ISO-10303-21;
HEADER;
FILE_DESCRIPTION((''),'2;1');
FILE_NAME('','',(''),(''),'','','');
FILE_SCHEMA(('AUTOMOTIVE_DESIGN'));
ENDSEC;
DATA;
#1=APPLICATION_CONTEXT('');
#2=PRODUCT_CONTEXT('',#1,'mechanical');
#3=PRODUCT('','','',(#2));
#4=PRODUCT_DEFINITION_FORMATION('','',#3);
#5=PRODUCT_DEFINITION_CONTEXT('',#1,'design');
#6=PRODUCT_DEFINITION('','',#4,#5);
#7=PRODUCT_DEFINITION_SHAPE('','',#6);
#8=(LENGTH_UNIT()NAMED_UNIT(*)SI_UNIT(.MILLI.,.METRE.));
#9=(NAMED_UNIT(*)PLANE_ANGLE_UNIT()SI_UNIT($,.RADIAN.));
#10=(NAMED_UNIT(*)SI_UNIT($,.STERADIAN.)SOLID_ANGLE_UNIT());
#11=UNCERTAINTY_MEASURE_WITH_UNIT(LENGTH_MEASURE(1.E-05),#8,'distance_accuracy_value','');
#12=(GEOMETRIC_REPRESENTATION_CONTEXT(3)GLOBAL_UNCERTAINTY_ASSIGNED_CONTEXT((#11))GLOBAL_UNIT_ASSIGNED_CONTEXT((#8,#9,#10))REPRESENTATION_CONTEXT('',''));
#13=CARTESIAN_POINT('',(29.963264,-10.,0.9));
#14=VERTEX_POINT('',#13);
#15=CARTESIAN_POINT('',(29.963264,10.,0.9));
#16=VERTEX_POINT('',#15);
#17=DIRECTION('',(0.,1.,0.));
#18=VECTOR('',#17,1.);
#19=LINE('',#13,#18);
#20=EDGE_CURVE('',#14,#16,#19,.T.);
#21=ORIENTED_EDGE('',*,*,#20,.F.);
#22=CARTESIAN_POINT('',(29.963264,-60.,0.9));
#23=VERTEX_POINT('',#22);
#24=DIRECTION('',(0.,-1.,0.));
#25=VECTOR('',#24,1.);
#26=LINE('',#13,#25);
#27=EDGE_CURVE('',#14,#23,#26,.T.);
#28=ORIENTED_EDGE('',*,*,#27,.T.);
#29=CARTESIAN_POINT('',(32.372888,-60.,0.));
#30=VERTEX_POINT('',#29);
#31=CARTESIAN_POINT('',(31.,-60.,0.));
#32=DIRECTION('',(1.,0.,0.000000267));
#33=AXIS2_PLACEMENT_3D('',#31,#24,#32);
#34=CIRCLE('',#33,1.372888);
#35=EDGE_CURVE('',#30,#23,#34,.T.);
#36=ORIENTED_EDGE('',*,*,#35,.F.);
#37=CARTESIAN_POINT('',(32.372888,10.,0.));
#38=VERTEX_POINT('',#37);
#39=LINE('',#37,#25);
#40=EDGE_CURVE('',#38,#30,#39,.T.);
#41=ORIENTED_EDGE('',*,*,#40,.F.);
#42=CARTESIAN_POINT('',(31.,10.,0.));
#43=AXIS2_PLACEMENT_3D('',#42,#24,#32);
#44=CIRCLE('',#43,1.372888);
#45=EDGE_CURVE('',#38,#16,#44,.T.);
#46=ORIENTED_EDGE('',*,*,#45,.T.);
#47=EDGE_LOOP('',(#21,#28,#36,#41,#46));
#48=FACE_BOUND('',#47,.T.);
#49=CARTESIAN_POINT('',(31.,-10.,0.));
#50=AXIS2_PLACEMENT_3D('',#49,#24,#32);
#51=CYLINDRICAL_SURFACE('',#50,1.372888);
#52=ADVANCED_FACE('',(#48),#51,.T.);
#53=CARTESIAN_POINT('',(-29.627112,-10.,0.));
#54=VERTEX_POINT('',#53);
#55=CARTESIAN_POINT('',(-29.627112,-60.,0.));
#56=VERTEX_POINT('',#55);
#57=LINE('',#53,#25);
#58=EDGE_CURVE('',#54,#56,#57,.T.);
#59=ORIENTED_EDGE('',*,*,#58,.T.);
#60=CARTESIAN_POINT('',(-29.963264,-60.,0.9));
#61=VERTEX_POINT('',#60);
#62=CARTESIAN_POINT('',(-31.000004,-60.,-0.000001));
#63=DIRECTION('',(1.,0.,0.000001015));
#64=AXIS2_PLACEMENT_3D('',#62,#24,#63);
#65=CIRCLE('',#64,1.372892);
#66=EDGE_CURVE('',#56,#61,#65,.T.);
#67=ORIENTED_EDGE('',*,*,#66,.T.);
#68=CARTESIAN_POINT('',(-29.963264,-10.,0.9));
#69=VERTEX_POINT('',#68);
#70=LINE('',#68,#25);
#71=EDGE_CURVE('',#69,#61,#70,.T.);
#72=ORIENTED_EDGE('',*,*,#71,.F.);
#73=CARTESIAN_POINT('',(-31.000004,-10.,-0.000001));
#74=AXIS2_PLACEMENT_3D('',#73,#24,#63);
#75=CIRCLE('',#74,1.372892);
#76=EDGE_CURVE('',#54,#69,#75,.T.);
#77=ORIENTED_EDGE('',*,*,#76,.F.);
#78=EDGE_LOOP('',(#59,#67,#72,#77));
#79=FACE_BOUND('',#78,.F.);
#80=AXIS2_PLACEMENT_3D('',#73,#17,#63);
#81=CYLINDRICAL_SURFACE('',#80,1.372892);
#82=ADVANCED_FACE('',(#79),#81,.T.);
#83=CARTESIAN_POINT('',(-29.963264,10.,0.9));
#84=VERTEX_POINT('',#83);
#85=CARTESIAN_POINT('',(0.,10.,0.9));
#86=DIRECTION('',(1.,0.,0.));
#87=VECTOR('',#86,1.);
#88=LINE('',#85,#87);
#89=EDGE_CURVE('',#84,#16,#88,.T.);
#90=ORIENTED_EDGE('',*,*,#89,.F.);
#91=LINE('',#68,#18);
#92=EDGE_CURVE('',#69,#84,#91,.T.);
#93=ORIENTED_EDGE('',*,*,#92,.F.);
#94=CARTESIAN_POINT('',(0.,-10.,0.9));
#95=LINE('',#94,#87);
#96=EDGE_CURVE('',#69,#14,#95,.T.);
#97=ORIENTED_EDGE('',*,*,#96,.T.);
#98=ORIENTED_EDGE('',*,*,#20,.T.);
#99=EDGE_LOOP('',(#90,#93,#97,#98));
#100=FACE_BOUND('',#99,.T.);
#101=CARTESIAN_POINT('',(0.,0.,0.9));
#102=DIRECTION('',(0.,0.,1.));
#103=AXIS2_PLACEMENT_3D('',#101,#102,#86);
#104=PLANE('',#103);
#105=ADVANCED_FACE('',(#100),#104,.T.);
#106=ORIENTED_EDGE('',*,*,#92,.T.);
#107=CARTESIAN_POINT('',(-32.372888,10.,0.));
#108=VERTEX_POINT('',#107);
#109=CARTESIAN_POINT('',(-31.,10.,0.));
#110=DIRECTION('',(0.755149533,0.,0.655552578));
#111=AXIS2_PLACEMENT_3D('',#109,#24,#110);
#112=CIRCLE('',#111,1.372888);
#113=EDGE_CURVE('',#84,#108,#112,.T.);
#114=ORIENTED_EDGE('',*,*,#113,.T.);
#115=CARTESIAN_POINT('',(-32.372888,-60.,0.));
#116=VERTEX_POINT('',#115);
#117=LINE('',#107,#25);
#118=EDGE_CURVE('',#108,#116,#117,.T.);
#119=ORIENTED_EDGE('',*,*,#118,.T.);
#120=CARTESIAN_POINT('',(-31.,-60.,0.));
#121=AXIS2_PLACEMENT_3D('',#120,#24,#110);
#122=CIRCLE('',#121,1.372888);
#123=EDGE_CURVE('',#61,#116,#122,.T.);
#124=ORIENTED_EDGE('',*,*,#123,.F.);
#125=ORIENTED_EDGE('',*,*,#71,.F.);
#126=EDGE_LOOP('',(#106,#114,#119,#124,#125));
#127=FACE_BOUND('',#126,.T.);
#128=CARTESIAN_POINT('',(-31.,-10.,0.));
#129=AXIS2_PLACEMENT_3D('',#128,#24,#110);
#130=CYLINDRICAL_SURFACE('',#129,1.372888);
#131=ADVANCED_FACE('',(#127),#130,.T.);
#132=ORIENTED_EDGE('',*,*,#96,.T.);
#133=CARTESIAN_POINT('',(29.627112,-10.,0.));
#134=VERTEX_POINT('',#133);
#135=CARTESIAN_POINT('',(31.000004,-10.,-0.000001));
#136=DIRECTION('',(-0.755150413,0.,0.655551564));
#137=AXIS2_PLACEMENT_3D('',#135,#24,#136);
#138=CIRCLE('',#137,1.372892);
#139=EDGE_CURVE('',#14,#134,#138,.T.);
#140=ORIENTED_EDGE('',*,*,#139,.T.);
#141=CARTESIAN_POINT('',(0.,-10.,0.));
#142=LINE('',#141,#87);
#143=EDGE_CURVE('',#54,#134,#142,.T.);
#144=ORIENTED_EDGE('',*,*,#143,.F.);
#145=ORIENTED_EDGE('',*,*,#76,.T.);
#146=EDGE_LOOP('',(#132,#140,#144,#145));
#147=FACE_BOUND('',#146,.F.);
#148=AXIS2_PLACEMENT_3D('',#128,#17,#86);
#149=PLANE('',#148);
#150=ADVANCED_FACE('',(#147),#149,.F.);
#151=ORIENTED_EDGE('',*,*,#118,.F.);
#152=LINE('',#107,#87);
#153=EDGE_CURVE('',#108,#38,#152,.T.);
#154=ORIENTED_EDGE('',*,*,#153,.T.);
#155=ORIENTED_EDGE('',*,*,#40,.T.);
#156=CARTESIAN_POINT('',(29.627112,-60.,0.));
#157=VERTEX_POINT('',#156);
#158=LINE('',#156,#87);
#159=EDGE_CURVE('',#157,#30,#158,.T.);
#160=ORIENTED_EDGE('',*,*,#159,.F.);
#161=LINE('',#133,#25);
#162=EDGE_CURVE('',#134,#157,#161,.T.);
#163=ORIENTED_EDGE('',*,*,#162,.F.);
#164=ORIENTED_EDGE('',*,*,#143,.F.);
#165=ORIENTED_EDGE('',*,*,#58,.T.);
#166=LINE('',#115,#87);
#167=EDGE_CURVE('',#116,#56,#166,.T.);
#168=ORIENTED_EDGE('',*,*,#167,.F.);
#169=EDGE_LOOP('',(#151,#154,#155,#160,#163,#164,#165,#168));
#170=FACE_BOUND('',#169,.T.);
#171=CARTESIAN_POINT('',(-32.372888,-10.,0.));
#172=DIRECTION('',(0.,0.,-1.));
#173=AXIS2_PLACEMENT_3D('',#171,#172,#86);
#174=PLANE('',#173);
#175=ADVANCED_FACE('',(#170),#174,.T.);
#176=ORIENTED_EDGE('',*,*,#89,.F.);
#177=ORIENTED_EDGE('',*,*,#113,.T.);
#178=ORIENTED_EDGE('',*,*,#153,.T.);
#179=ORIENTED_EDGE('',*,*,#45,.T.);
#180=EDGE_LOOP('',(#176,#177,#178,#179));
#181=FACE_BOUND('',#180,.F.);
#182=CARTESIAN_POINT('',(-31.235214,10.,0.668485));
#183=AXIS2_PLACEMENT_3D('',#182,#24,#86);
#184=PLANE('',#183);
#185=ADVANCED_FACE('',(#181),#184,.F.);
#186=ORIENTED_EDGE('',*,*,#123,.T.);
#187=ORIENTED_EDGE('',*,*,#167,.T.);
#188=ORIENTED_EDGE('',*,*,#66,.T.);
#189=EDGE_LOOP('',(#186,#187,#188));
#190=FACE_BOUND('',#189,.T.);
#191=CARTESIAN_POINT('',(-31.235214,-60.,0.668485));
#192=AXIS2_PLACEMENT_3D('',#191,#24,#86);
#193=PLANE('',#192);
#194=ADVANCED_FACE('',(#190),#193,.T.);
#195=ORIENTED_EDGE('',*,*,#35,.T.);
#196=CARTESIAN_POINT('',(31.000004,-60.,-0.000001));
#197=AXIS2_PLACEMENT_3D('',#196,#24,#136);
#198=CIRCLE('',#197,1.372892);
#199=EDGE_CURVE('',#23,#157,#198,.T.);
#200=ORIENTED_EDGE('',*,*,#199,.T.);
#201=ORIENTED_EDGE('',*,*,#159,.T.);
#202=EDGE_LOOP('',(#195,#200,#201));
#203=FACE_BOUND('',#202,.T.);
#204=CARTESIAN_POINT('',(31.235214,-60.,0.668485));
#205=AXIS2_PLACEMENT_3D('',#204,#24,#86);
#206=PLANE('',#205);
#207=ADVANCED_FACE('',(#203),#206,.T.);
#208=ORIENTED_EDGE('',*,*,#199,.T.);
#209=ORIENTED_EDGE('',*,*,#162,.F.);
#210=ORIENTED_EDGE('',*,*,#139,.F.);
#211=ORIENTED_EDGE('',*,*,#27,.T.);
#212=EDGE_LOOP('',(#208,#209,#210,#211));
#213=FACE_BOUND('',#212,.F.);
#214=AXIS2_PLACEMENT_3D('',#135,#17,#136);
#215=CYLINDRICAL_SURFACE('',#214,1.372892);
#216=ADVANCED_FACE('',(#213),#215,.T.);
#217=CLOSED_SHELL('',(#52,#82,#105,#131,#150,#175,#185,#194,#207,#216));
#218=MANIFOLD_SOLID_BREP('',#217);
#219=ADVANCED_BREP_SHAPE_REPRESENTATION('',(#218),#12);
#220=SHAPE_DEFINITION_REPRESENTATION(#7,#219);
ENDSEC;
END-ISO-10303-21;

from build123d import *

# Parameters (mm, degrees)
F0_W          = 62
F0_H          = 20
F1_DEPTH      = 0.9
F3_DEPTH      = 50
F3_DEPTH_BACK = 20


with BuildPart() as f1:
    # F0 (on Top) → F1 (new body)
    with BuildSketch(Plane.XY):
        Rectangle(F0_W, F0_H)
    extrude(amount=F1_DEPTH)

    # F2 (on face) → F3 (join, two sides)
    with BuildSketch(Plane.XZ.offset(10)) as f3_sk:
        with BuildLine():
            ThreePointArc((-29.963264, 0.9), (-31.480364, 1.286107), (-32.372888, 0))
            Line((-32.372888, 0), (-31, 0))
            Line((-31, 0), (-31, 0.9))
            Line((-31, 0.9), (-29.963264, 0.9))
        make_face()
        with BuildLine():
            ThreePointArc((-29.627112, 0), (-29.713893, 0.480364), (-29.963264, 0.9))
            Line((-29.963264, 0.9), (-31, 0.9))
            Line((-31, 0.9), (-31, 0))
            Line((-31, 0), (-29.627112, 0))
        make_face()
        with BuildLine():
            ThreePointArc((32.372888, 0), (31.480364, 1.286107), (29.963264, 0.9))
            Line((29.963264, 0.9), (31, 0.9))
            Line((31, 0.9), (31, 0))
            Line((31, 0), (32.372888, 0))
        make_face()
        with BuildLine():
            Line((31, 0.9), (29.963264, 0.9))
            ThreePointArc((29.963264, 0.9), (29.713893, 0.480364), (29.627112, 0))
            Line((29.627112, 0), (31, 0))
            Line((31, 0), (31, 0.9))
        make_face()
    extrude(amount=F3_DEPTH)
    extrude(f3_sk.sketch, amount=-F3_DEPTH_BACK)


solid = f1.part
